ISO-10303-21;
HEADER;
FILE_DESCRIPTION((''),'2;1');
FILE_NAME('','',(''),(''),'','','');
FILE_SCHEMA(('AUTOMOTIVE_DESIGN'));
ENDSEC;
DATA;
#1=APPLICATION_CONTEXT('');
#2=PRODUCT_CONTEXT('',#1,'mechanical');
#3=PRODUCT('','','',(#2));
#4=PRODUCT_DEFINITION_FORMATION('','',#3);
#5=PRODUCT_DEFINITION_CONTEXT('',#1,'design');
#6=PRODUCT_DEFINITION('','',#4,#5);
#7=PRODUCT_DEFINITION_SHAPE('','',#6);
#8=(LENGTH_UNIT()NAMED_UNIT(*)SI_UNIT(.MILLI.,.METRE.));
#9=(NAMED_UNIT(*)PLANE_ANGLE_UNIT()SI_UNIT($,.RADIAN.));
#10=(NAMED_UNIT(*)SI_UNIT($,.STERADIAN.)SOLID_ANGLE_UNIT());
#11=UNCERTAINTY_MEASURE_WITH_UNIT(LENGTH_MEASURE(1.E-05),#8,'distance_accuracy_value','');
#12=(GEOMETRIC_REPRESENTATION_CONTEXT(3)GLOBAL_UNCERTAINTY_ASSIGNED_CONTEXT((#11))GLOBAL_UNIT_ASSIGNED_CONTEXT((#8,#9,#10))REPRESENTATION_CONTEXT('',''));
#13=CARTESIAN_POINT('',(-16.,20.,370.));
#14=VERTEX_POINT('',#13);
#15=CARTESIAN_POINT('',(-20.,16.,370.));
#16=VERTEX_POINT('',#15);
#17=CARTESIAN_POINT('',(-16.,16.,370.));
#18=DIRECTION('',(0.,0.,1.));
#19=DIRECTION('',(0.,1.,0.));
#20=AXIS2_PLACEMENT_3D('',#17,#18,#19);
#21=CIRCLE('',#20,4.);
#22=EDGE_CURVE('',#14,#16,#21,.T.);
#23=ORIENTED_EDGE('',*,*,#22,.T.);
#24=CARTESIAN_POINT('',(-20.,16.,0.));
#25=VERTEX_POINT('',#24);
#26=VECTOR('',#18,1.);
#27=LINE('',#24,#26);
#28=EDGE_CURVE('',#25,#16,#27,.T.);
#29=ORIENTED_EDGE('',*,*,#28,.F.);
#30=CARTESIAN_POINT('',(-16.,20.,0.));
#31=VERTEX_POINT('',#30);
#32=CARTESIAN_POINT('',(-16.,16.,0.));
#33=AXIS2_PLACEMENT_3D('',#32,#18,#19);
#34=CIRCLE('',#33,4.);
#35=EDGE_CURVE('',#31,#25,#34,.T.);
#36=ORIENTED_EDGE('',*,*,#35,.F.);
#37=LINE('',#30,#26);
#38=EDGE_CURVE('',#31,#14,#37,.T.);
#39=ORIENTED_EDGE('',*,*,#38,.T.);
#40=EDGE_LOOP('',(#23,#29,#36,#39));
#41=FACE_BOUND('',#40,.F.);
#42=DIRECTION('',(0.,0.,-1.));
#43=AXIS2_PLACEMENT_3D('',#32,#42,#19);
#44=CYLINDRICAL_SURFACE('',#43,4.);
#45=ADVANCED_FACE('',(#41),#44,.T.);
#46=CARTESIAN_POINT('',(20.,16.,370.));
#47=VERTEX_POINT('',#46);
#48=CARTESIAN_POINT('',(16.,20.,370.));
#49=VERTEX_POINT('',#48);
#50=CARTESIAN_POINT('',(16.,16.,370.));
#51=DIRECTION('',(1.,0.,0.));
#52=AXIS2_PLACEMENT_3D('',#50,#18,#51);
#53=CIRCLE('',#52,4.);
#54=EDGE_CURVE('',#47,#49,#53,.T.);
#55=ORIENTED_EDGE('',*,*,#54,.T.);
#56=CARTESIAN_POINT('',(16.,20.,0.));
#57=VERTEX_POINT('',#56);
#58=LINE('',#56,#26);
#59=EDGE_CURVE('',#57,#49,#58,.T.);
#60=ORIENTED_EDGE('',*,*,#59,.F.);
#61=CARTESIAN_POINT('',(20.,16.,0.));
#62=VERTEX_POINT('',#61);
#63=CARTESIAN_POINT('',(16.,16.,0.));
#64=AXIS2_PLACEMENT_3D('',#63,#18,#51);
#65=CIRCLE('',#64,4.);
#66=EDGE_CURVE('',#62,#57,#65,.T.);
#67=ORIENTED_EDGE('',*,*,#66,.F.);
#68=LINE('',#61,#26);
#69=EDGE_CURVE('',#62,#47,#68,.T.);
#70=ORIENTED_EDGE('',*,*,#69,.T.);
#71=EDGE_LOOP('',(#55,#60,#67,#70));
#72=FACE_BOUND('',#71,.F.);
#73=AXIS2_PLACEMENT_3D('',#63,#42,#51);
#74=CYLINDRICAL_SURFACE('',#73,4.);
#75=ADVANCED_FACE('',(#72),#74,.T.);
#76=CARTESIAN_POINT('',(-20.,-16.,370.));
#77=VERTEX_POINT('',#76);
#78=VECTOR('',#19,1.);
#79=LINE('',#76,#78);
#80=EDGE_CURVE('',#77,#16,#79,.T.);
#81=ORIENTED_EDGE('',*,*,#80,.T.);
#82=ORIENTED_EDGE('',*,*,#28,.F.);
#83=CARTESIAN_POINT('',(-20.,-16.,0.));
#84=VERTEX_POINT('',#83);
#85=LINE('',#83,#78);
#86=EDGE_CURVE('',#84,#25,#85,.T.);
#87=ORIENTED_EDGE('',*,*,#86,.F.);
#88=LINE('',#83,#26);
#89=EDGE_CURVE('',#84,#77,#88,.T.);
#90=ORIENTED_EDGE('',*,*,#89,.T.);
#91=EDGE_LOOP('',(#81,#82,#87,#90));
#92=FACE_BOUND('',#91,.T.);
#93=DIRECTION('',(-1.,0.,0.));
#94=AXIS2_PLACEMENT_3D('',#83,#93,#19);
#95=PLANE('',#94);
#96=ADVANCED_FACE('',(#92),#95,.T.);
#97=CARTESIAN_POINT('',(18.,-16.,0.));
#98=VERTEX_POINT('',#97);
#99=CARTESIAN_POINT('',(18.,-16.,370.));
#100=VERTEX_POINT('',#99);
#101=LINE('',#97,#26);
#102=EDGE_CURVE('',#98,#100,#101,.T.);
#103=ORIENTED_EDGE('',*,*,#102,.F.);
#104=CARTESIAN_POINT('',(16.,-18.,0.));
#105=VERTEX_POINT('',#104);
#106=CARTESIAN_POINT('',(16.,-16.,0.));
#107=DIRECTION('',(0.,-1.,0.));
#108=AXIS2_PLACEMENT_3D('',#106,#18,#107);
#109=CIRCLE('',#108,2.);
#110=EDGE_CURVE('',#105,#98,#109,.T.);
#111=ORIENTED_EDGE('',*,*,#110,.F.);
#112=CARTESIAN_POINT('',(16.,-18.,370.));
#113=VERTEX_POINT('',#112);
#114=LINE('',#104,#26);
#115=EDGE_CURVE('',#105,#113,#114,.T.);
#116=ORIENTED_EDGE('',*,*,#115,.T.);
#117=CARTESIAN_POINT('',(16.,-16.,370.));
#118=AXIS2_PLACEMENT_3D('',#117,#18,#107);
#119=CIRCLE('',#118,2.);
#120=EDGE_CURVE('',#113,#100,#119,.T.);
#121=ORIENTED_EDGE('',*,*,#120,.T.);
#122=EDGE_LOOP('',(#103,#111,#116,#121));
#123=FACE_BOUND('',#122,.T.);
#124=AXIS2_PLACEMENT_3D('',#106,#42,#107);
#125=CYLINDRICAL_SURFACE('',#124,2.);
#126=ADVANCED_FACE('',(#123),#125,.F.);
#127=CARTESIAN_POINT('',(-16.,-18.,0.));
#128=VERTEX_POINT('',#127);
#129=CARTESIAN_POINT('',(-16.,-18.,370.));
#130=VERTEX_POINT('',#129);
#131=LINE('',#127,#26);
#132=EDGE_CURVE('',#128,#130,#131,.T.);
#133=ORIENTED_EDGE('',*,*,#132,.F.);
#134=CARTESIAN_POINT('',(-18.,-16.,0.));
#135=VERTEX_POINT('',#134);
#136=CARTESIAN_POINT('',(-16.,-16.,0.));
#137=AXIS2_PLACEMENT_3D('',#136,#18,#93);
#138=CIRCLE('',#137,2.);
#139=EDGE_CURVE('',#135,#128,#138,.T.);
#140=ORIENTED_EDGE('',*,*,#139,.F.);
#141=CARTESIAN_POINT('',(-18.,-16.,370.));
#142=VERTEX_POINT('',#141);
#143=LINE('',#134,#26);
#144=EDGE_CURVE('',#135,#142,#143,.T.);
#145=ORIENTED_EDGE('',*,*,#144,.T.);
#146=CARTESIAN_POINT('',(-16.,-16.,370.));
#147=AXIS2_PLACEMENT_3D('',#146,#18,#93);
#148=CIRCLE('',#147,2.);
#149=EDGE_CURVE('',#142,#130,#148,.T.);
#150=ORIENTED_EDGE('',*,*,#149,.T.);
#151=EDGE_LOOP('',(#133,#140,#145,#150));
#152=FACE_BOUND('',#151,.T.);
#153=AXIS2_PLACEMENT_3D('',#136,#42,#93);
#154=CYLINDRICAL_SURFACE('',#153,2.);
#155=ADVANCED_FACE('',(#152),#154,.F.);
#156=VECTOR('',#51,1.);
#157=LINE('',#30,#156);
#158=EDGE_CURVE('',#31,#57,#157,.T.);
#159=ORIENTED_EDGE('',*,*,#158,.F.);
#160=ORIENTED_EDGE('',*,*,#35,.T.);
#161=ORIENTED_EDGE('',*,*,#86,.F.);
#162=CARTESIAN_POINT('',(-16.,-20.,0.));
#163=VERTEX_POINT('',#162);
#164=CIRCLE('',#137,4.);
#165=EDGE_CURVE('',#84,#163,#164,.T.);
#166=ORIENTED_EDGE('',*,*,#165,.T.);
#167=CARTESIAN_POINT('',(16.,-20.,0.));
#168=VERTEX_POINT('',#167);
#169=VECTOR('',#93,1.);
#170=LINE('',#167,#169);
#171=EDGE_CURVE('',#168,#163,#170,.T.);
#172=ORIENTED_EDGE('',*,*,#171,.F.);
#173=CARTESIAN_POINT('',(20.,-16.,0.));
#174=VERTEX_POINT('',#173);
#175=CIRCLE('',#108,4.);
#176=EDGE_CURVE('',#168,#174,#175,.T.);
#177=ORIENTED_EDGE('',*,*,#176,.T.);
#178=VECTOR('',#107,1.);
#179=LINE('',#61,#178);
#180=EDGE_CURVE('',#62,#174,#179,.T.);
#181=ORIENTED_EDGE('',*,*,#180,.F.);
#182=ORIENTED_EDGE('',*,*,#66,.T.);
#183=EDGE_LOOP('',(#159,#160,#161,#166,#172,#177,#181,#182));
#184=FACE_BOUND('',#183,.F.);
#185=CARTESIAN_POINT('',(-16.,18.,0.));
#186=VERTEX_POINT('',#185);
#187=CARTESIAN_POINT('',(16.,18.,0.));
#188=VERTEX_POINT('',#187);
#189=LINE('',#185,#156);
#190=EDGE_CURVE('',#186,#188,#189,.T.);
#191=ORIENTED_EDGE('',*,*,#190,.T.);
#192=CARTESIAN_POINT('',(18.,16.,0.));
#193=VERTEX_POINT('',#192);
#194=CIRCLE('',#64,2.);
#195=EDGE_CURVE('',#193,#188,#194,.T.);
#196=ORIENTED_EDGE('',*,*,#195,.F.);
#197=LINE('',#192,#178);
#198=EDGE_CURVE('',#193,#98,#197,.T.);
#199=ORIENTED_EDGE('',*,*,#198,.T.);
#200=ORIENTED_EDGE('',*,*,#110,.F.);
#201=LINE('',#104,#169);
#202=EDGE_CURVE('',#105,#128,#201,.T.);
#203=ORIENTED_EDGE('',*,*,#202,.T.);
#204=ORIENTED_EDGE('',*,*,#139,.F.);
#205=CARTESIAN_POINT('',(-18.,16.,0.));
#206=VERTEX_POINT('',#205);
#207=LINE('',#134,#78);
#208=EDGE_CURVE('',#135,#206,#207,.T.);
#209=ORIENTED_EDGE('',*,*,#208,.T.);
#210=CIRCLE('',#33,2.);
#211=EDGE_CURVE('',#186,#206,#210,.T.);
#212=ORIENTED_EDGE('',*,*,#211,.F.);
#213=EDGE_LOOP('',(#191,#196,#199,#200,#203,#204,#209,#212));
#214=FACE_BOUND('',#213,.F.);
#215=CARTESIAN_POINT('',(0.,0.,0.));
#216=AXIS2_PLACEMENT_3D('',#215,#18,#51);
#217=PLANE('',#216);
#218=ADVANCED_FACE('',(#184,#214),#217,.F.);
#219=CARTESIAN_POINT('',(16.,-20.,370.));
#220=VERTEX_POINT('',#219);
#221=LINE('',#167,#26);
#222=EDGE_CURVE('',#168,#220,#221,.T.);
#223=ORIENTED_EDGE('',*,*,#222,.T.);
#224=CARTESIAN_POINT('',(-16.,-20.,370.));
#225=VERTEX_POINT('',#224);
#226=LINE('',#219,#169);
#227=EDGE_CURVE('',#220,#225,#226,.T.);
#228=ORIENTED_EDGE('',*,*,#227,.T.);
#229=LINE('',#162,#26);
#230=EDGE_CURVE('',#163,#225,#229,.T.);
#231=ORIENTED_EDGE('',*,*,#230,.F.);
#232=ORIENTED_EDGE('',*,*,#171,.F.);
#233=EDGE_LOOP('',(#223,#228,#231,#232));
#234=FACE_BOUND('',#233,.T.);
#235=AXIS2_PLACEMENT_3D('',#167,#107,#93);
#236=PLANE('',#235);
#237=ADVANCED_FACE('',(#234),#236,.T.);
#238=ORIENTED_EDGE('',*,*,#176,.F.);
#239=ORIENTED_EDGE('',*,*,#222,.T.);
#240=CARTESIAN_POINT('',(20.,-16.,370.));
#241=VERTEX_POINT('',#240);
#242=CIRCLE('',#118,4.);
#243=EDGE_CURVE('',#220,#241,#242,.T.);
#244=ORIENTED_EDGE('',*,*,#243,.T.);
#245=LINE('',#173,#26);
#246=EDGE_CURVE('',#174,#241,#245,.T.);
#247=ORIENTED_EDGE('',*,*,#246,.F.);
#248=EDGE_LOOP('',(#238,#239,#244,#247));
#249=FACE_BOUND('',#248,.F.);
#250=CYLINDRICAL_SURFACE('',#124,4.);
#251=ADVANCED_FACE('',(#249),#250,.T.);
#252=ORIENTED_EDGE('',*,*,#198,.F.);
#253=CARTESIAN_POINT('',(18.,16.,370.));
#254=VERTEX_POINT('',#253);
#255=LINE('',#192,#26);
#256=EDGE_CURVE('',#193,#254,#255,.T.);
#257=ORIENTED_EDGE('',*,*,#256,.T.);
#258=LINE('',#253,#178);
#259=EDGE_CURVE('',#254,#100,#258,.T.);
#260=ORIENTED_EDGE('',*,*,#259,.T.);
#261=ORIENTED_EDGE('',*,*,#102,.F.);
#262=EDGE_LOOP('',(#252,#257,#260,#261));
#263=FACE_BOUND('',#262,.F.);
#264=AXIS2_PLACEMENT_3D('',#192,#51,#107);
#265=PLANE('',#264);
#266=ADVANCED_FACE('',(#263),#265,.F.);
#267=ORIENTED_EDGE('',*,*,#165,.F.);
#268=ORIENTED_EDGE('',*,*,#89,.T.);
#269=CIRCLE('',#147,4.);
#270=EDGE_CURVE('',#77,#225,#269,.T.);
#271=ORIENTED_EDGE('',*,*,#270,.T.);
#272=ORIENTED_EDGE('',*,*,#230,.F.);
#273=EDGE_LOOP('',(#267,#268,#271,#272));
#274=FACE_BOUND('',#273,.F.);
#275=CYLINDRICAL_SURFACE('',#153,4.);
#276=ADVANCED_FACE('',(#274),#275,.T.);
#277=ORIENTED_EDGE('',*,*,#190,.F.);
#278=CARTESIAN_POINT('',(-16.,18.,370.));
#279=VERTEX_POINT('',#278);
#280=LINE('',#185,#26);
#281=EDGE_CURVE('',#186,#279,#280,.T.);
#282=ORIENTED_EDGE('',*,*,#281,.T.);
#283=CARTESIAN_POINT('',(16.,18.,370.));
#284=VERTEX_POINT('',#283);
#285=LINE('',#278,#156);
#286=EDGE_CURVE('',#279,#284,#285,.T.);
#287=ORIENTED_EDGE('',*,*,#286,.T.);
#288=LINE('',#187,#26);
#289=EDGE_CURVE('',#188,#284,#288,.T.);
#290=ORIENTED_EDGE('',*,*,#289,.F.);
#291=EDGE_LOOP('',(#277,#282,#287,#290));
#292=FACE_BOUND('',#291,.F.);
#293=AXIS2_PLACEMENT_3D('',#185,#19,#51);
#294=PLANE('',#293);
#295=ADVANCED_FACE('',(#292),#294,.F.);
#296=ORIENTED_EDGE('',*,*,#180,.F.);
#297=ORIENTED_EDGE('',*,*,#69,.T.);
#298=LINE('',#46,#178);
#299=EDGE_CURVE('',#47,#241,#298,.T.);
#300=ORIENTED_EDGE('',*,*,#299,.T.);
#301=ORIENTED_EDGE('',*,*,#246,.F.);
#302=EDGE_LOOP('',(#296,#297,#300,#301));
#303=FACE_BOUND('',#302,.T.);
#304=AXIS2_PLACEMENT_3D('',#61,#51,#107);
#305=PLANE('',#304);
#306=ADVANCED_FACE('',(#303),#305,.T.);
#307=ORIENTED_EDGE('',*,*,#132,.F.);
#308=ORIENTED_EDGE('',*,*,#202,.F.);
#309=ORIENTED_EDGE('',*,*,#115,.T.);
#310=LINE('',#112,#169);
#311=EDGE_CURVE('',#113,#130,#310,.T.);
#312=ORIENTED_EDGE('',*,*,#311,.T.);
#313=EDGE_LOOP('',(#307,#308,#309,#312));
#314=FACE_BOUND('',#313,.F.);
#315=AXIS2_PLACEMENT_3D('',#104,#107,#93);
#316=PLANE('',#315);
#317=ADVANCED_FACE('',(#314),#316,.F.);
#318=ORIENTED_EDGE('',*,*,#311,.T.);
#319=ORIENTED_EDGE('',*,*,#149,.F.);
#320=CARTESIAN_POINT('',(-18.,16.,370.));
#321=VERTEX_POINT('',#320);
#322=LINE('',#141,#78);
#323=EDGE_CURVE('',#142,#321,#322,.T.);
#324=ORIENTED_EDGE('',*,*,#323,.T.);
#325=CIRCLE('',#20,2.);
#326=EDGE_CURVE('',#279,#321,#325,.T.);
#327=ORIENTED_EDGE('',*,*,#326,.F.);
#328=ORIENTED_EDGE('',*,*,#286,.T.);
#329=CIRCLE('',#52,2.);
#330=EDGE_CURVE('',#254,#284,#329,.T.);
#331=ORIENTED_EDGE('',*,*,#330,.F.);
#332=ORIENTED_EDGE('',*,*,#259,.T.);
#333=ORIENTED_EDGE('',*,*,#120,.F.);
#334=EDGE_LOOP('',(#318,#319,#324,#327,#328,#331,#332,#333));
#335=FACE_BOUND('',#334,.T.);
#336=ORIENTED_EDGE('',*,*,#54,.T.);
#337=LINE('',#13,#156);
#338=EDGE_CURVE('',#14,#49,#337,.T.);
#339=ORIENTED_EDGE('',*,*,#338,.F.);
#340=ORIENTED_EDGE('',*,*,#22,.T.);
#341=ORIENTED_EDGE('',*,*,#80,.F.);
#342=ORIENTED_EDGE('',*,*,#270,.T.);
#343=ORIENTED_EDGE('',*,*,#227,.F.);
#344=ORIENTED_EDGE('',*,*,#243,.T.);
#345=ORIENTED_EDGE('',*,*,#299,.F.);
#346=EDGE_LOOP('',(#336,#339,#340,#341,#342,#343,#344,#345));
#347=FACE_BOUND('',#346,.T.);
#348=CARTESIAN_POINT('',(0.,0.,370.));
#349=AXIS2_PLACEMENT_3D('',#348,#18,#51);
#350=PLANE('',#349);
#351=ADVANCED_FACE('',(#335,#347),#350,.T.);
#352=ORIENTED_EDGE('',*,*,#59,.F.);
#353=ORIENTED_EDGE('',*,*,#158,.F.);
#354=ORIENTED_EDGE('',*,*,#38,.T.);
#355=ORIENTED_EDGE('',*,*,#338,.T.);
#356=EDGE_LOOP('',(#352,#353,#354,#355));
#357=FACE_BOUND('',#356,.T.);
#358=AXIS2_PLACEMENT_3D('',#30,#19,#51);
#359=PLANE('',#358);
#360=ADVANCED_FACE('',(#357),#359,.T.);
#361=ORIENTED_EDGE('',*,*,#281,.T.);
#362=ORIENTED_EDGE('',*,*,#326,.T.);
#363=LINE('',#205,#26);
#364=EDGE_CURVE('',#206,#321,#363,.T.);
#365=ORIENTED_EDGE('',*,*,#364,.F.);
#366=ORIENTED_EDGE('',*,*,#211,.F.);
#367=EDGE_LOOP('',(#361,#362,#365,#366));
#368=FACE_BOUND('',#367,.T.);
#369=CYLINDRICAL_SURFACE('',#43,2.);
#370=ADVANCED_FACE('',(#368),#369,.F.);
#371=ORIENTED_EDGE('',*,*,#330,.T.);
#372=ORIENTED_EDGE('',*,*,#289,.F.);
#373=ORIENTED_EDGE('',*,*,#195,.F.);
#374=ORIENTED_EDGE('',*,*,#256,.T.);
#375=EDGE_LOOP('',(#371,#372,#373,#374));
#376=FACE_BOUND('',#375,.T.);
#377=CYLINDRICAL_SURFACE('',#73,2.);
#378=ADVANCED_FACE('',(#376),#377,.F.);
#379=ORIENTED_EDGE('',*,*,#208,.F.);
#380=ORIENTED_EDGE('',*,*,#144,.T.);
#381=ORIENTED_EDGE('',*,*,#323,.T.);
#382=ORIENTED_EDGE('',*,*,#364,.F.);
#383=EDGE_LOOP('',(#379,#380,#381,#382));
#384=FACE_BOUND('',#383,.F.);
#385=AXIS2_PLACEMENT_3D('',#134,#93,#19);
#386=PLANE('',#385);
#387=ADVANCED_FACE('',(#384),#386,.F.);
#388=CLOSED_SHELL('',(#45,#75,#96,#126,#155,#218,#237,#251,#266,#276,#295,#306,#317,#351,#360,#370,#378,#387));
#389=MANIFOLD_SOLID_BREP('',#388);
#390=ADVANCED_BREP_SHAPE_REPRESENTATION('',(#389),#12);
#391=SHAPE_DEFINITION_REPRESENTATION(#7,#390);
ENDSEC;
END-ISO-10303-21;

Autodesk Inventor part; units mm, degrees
ref_plane "YZ Plane" through (0, 0, 0) normal (1, 0, 0) x (0, 1, 0)
ref_plane "Piano iniziale" through (0, 0, 0) normal (0, 0, 1) x (1, 0, 0)
ref_plane "Piano finale" through (0, 0, 370) normal (0, 0, 1) x (1, 0, 0)
sketch "Schizzo" plane through (0, 0, 0) normal (0, 0, 1) x (1, 0, 0)
  line L0 (-20, -16) -> (-20, 16)
  line L1 (-16, 20) -> (16, 20)
  line L2 (20, 16) -> (20, -16)
  line L3 (16, -20) -> (-16, -20)
  arc A0 (-20, -16) -> (-16, -20) centre (-16, -16) ccw
  arc A1 (20, 16) -> (16, 20) centre (16, 16) ccw
  arc A2 (-16, 20) -> (-20, 16) centre (-16, 16) ccw
  arc A3 (16, -20) -> (20, -16) centre (16, -16) ccw
  arc A4 (-16, 18) -> (-18, 16) centre (-16, 16) ccw
  line L4 (-16, 18) -> (16, 18)
  arc A5 (18, 16) -> (16, 18) centre (16, 16) ccw
  line L5 (18, 16) -> (18, -16)
  arc A6 (16, -18) -> (18, -16) centre (16, -16) ccw
  line L6 (16, -18) -> (-16, -18)
  arc A7 (-18, -16) -> (-16, -18) centre (-16, -16) ccw
  line L7 (-18, -16) -> (-18, 16)
  line L8 (0, 29.1598) -> (0, -29.1598) construction
  line L9 (-29.1598, 0) -> (29.1598, 0) construction
  dimension "d7" = 4
  dimension "d9" = 40
  dimension "d11" = 40
  dimension "d12" = 2
  dimension "d15" = 20
  dimension "d16" = 20
extrude "Corpo" add sketch "Schizzo" along normal up to surface (370 mm away) from surface at 0
sketch "Sketch3" plane through (0, 0, 0) normal (0, 0, 1) x (1, 0, 0)
  line L0 (0, 0) -> (10, 0)
ref_plane "Work Plane3" through (0, 0, 0) normal (0, -1, 0) x (1, 0, 0)
sketch "Sketch4" plane through (0, 0, 0) normal (0, -1, 0) x (1, 0, 0)
  line L0 (-2, 0) -> (12, 0)
  line L1 (-2, 370) -> (12, 370)
  dimension "d18" = 370
equation "\"d7\" = G_IR"
equation "\"d9\" = G_W"
equation "\"d11\" = G_H"
equation "\"d12\" = G_T"
equation "\"d15\" = 0.5 * d9"
equation "\"d16\" = 0.5 * d11"
equation "\"d3\" = G_L"
equation "\"G_W\" = 40"
equation "\"G_H\" = 40"
equation "\"G_T\" = 2"
equation "\"G_IR\" = 4"
equation "\"G_L\" = d18"
equation "\"G_OFFSET_START\" = 0"
equation "\"G_OFFSET_END\" = 0"
properties part number "ISO 10799-2 - 40x40x2 - 370" material "Acciaio, Dolce"
